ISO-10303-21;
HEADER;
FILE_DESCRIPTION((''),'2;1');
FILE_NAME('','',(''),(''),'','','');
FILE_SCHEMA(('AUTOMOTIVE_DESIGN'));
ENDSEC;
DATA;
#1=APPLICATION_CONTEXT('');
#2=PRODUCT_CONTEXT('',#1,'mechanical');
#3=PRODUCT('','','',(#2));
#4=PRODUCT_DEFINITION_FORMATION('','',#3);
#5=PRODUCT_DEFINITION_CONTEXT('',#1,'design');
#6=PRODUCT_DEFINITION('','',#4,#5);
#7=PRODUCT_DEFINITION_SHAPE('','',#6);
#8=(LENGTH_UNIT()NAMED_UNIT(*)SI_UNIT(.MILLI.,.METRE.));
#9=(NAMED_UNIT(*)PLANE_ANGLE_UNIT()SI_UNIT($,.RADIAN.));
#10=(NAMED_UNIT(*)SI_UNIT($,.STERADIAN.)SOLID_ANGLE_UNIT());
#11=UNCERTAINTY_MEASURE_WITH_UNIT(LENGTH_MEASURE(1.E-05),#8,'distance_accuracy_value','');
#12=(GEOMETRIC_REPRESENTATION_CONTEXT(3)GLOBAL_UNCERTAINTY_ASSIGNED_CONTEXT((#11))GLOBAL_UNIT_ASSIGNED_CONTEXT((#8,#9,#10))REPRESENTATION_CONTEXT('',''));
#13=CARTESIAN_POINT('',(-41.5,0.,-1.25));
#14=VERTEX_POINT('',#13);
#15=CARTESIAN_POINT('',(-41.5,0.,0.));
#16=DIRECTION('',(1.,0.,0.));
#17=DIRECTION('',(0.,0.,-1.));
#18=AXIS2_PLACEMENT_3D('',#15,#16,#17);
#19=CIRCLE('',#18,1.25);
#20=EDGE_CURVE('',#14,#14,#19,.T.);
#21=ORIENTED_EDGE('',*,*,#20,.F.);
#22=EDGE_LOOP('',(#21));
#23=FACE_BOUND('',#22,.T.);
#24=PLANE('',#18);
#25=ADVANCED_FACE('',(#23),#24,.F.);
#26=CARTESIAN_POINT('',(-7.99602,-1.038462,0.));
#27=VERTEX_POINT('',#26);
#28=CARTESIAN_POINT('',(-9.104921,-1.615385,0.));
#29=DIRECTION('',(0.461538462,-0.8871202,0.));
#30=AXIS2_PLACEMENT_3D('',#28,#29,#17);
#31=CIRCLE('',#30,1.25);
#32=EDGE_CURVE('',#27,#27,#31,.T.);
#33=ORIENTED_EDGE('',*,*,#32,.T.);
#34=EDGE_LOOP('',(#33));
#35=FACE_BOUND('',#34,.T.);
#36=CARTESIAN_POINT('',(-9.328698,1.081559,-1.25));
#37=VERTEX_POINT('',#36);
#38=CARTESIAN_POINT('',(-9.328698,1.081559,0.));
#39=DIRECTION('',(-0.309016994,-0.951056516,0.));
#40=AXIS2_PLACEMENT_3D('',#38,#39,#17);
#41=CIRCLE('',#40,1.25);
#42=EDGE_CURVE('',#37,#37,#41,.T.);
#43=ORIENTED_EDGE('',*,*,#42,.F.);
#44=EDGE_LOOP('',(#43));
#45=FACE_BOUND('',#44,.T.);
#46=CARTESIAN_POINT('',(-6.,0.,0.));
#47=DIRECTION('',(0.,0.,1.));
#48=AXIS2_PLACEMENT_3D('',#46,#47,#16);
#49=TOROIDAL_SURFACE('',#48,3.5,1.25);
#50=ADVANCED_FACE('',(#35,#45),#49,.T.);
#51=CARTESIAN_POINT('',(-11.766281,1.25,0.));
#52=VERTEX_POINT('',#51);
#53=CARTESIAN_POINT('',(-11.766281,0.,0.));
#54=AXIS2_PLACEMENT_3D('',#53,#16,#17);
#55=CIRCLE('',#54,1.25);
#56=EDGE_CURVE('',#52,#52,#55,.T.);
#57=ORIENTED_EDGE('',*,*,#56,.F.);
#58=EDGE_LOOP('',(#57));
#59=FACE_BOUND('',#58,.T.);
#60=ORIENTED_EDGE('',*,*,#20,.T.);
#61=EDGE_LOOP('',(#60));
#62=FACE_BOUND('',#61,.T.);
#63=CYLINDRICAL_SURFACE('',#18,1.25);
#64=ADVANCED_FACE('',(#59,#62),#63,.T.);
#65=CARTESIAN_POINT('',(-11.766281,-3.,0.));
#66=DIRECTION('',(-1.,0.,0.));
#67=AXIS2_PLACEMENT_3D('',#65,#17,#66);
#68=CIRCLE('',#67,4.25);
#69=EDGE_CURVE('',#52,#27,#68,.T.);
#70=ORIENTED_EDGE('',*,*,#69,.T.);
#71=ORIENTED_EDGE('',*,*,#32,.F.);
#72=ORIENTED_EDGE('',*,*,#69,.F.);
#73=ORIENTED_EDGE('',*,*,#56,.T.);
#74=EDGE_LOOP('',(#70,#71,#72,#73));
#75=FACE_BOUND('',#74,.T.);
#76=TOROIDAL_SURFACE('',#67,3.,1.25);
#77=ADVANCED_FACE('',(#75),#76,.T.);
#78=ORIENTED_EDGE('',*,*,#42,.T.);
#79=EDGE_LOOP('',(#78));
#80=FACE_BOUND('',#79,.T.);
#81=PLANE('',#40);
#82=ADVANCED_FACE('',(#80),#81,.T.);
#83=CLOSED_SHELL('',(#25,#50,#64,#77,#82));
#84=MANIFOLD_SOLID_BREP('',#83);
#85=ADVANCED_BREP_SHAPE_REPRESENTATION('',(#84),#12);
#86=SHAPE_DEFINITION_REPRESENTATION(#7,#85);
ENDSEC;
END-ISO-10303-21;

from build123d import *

# Parameters (mm, degrees)
SWEEP1_PROFILE_R = 1.25


with BuildPart() as part:
    # Sweep1: sweep along a path in Schizzo1
    with BuildLine(Plane.XY) as sweep1_path:
        Line((-41.5, 0), (-11.766281297, 0))
        ThreePointArc((-11.766281297, 0), (-10.209657732, -0.435448757), (-9.104920699, -1.615384615))
        ThreePointArc((-9.104920699, -1.615384615), (-2.511986435, 0.289415562), (-9.328697807, 1.08155948))
    # Sweep1 profile (on start of the path) → Sweep1 (sweep)
    with BuildSketch(Plane(origin=(-41.5, 0, 0), x_dir=(0, 0, 1), z_dir=(1, 0, 0))):
        Circle(SWEEP1_PROFILE_R)
    sweep(path=sweep1_path.line)


solid = part.part
